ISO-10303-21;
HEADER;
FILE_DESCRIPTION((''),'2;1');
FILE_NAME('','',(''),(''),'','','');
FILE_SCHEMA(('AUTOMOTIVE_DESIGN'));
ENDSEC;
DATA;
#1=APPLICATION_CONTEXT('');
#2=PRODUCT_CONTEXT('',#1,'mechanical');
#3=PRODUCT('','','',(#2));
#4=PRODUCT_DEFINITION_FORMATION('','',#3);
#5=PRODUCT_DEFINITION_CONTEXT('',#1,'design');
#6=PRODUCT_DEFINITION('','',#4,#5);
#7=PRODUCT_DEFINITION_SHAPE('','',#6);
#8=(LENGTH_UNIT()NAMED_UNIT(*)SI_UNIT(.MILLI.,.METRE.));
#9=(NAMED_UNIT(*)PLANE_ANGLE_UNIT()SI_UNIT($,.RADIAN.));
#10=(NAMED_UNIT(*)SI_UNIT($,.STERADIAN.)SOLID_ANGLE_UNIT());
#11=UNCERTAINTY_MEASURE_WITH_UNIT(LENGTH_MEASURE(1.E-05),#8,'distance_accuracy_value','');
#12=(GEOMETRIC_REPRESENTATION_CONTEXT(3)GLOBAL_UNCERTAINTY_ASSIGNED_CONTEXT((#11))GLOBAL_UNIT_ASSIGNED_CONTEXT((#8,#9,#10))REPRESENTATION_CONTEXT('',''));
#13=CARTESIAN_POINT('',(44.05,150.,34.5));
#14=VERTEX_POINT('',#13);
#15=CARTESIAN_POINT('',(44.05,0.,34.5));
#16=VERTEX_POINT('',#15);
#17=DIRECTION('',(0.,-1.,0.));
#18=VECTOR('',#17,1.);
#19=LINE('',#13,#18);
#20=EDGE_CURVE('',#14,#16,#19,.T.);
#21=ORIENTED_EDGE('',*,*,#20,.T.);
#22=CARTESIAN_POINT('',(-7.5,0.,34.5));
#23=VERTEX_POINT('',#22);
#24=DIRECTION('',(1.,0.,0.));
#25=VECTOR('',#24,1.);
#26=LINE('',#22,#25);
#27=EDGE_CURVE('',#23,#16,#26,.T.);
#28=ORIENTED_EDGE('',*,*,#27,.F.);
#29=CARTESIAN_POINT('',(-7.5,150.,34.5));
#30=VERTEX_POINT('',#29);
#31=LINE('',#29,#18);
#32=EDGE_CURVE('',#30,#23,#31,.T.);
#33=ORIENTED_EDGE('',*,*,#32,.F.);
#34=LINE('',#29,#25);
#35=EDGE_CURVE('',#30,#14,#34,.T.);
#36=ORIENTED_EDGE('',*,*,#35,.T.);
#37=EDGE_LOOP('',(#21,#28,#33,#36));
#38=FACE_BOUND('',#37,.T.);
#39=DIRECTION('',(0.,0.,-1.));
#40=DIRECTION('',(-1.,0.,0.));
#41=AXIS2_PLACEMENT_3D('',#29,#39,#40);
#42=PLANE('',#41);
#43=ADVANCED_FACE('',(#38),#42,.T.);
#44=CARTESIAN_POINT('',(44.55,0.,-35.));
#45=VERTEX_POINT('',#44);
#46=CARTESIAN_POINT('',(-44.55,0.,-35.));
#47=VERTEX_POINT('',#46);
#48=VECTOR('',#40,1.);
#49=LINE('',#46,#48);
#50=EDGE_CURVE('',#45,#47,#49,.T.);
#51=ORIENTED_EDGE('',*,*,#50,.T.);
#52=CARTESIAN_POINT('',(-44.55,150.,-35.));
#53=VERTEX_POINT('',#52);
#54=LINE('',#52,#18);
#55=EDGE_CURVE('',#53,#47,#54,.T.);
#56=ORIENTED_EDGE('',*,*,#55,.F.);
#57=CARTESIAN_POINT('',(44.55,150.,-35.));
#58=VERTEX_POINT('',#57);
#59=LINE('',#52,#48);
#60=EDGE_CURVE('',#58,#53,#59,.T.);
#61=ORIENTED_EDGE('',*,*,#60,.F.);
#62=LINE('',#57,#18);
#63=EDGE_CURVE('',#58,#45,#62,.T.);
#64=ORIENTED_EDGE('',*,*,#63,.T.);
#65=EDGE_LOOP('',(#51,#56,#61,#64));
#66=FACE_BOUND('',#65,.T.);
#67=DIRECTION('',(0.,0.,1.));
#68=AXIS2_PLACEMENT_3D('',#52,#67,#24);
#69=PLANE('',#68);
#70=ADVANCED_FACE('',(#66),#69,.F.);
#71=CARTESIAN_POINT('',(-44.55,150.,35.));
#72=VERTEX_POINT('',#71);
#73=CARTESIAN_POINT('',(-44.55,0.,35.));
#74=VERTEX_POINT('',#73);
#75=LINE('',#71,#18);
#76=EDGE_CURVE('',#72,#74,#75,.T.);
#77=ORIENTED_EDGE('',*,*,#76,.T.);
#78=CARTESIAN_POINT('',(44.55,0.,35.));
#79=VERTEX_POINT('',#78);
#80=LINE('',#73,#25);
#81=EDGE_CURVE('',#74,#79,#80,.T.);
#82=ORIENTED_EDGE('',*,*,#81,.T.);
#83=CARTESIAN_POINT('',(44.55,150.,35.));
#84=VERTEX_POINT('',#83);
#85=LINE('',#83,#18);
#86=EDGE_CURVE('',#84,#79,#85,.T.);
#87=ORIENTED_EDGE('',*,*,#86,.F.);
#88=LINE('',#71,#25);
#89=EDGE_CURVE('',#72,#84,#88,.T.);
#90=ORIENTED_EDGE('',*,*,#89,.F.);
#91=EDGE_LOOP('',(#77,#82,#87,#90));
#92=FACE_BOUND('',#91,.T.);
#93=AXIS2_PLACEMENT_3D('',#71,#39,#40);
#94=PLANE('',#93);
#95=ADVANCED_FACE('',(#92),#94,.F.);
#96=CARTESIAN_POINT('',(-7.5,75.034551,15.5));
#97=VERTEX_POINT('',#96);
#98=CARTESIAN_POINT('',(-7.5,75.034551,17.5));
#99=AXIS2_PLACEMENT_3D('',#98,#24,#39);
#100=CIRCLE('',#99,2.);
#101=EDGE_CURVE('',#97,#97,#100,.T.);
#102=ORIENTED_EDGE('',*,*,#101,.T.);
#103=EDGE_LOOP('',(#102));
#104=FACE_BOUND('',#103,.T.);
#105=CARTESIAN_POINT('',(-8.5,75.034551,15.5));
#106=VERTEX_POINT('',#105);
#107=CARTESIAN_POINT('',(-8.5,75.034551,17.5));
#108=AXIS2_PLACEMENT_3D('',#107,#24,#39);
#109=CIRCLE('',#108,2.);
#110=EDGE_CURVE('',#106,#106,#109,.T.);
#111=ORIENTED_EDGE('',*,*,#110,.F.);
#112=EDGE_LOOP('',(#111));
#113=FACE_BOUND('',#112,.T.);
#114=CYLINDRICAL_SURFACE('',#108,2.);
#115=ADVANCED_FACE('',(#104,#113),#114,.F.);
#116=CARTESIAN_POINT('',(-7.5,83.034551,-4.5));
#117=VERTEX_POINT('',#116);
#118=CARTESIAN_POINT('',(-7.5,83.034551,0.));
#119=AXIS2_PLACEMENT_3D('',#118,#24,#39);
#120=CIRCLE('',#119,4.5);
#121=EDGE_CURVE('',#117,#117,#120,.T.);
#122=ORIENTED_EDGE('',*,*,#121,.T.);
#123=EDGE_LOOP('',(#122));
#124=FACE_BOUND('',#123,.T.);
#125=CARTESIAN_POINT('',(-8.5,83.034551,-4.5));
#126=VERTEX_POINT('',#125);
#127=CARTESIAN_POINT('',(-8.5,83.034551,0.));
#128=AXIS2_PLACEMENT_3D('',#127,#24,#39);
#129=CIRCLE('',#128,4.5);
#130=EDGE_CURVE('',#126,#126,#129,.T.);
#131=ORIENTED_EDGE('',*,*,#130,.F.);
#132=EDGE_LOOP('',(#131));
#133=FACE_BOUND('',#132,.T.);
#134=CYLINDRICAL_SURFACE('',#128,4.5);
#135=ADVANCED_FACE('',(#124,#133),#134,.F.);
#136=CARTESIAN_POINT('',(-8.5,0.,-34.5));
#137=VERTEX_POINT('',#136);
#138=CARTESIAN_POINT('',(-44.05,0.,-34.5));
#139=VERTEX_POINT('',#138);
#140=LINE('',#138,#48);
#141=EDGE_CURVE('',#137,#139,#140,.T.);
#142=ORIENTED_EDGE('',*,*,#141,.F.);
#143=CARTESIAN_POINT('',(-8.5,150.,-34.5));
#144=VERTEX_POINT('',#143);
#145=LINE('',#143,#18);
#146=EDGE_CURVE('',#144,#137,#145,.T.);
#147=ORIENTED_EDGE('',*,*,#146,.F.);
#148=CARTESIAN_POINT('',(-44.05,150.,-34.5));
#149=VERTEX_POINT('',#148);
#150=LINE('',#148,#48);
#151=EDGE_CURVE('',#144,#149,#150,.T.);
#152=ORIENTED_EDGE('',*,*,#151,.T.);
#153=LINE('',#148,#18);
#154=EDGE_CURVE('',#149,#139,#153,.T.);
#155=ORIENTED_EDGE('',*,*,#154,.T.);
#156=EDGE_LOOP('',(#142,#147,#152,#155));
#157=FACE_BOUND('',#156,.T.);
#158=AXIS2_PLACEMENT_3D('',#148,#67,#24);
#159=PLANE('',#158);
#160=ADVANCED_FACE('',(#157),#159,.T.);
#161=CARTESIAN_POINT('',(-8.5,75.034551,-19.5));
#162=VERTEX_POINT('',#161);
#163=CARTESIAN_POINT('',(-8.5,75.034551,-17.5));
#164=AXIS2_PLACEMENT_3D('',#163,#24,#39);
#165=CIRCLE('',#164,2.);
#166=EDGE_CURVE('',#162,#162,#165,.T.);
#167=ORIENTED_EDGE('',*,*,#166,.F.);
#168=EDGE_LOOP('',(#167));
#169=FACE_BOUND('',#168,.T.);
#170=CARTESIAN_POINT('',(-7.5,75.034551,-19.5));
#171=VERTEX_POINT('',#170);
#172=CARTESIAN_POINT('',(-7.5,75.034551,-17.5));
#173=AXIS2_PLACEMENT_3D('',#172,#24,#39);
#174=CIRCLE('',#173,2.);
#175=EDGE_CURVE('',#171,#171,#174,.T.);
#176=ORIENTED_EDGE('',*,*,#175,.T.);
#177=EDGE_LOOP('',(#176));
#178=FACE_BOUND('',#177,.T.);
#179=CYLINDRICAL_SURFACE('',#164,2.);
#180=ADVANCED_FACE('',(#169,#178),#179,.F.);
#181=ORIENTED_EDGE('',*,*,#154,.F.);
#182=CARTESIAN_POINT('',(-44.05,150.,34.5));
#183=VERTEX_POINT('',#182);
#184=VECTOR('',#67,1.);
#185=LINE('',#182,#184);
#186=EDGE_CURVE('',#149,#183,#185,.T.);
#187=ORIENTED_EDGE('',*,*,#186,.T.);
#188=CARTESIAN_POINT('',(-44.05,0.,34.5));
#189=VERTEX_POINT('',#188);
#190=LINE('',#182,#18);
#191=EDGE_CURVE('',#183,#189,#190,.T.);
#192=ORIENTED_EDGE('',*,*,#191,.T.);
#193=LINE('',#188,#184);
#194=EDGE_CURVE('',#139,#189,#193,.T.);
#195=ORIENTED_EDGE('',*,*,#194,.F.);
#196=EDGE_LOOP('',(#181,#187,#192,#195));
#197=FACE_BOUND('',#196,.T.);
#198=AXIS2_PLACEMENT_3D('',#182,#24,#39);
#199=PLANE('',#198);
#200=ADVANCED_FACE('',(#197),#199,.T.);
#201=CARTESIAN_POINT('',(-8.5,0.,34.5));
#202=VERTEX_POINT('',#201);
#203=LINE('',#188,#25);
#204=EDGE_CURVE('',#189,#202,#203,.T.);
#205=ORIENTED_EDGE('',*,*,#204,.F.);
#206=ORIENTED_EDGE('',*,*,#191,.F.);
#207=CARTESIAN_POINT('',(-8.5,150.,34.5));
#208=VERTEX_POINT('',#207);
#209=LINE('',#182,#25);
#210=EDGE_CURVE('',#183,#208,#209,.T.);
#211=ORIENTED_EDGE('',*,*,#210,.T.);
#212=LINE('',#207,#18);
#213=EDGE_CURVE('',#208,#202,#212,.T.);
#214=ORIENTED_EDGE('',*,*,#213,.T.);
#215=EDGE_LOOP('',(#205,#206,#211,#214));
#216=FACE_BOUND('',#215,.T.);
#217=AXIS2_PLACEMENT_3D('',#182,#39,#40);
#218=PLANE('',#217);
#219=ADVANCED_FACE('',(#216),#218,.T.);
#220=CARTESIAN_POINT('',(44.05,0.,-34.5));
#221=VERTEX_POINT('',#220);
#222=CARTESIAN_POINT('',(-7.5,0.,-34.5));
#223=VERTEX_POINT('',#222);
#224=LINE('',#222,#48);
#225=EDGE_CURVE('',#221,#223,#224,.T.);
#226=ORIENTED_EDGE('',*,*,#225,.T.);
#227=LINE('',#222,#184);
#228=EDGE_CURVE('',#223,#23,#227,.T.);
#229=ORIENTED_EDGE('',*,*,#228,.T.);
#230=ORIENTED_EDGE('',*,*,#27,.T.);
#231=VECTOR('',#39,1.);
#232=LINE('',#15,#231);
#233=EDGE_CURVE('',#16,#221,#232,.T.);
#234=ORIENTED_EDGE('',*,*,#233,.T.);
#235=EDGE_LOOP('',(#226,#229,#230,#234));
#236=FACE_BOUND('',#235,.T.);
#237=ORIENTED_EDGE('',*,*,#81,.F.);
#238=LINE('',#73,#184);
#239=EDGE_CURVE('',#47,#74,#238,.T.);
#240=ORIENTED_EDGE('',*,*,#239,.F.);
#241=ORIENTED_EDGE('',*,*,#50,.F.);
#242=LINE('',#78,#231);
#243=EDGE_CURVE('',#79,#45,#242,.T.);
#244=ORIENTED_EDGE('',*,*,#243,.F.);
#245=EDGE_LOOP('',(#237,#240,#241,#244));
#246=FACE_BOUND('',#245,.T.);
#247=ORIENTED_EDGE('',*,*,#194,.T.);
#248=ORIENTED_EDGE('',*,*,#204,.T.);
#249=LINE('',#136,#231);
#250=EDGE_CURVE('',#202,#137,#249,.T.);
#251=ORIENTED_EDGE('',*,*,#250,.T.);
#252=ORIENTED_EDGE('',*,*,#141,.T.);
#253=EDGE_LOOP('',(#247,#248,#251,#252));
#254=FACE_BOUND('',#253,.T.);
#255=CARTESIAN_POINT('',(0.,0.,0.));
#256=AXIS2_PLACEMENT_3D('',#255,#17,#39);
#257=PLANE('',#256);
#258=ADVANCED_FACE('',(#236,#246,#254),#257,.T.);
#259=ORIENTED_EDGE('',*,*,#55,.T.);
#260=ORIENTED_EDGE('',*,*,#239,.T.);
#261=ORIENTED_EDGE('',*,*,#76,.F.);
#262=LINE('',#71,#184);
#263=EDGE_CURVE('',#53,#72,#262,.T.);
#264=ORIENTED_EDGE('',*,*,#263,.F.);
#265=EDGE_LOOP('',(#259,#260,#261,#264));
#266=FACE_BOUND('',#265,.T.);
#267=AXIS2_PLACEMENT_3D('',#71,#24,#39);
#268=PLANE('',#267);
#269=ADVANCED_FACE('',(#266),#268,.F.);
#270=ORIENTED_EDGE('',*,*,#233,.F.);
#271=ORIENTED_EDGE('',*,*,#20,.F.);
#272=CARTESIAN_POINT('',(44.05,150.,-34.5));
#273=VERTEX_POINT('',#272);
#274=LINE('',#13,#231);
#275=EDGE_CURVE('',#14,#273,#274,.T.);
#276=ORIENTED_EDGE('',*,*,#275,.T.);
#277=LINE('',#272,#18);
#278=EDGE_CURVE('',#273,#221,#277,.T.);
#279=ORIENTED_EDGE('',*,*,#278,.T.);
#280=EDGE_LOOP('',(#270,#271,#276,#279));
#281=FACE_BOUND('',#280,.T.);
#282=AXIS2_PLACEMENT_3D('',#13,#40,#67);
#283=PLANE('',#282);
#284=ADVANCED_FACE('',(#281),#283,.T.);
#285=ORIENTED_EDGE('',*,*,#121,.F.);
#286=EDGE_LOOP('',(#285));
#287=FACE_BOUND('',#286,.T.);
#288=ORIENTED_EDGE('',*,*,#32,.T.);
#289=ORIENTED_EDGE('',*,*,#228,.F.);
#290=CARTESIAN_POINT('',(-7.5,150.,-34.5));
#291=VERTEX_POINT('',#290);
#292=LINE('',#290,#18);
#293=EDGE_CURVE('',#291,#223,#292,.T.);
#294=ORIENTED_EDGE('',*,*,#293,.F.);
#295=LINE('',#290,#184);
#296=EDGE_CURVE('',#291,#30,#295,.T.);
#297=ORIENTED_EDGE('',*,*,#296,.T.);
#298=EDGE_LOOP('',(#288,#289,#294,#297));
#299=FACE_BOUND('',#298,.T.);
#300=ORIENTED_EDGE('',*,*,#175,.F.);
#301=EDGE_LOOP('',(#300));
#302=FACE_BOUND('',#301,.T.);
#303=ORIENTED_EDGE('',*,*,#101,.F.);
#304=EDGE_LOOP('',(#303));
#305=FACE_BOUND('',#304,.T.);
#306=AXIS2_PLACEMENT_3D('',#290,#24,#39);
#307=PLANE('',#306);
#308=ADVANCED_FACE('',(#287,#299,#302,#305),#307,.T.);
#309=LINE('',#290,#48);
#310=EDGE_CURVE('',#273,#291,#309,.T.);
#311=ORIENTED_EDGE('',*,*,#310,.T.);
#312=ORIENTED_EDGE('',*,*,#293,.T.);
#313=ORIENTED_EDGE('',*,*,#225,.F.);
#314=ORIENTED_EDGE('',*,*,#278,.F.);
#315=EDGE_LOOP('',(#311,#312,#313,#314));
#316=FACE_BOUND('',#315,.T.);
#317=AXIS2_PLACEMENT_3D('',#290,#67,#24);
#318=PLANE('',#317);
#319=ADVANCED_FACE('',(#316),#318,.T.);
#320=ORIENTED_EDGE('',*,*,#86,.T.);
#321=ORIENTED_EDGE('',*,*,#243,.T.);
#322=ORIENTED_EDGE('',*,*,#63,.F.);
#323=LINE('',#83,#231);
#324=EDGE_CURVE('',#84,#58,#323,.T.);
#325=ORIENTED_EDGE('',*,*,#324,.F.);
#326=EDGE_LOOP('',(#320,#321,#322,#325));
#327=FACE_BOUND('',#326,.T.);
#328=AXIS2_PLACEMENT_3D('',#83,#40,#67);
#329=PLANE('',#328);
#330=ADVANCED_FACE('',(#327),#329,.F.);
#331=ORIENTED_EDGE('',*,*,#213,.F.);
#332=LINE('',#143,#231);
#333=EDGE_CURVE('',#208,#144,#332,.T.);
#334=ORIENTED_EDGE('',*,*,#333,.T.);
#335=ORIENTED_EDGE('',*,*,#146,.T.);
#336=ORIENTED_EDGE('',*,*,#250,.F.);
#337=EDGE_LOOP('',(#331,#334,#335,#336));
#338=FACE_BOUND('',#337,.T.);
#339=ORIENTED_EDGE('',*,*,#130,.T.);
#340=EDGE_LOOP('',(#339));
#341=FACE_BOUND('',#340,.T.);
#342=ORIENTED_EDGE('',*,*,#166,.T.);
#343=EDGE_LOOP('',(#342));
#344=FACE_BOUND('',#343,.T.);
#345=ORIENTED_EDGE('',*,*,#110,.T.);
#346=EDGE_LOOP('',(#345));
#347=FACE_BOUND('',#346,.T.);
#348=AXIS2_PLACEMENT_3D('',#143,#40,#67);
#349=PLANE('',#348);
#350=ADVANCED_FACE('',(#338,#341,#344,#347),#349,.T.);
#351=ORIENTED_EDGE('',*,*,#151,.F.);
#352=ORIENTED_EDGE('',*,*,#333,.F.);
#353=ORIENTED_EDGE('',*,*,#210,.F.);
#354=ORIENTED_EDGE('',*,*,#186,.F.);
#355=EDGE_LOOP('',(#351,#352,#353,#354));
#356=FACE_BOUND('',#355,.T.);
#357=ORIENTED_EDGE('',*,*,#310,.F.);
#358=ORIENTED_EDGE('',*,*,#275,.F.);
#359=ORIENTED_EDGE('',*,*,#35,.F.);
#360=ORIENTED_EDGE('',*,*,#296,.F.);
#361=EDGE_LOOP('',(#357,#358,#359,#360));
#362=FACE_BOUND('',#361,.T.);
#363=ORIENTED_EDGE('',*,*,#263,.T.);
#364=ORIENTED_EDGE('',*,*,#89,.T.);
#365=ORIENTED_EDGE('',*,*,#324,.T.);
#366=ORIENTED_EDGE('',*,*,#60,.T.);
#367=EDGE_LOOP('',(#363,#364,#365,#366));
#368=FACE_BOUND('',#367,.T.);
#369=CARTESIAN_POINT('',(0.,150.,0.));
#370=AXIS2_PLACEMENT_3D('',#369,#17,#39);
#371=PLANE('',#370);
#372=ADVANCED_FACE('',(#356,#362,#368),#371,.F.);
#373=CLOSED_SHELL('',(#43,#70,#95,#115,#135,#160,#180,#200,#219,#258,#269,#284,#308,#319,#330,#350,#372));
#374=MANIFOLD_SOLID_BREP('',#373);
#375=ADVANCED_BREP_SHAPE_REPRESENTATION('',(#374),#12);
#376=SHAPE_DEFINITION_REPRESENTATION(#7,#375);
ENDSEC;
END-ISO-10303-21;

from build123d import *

# Parameters (mm, degrees)
ESBO_O1_W                = 89.1
ESBO_O1_H                = 70
ESBO_O1_W_2              = 51.55
ESBO_O1_H_2              = 69
ESBO_O1_W_3              = 35.55
RESSALTO_EXTRUS_O1_DEPTH = 150
ESBO_O3_R                = 2
ESBO_O3_R_2              = 4.5
CORTE_EXTRUS_O1_DEPTH    = 1


with BuildPart() as part:
    # Esboço1 → Ressalto-extrusão1 (new body)
    with BuildSketch(Plane(origin=(0, 0, 0), x_dir=(1, 0, 0), z_dir=(0, 1, 0))):
        Rectangle(ESBO_O1_W, ESBO_O1_H)
        with Locations((18.275, 0)):
            Rectangle(ESBO_O1_W_2, ESBO_O1_H_2, mode=Mode.SUBTRACT)
        with Locations((-26.275, 0)):
            Rectangle(ESBO_O1_W_3, ESBO_O1_H_2, mode=Mode.SUBTRACT)
    extrude(amount=RESSALTO_EXTRUS_O1_DEPTH)

    # Esboço3 → Corte-extrusão1 (cut)
    with BuildSketch(Plane(origin=(-7.5, 0, 0), x_dir=(0, 0, -1), z_dir=(1, 0, 0))):
        with Locations((17.5, 75.034551114)):
            Circle(ESBO_O3_R)
        with Locations((-17.5, 75.034551114)):
            Circle(ESBO_O3_R)
        with Locations((0, 83.034551114)):
            Circle(ESBO_O3_R_2)
    extrude(amount=-CORTE_EXTRUS_O1_DEPTH, mode=Mode.SUBTRACT)


solid = part.part
